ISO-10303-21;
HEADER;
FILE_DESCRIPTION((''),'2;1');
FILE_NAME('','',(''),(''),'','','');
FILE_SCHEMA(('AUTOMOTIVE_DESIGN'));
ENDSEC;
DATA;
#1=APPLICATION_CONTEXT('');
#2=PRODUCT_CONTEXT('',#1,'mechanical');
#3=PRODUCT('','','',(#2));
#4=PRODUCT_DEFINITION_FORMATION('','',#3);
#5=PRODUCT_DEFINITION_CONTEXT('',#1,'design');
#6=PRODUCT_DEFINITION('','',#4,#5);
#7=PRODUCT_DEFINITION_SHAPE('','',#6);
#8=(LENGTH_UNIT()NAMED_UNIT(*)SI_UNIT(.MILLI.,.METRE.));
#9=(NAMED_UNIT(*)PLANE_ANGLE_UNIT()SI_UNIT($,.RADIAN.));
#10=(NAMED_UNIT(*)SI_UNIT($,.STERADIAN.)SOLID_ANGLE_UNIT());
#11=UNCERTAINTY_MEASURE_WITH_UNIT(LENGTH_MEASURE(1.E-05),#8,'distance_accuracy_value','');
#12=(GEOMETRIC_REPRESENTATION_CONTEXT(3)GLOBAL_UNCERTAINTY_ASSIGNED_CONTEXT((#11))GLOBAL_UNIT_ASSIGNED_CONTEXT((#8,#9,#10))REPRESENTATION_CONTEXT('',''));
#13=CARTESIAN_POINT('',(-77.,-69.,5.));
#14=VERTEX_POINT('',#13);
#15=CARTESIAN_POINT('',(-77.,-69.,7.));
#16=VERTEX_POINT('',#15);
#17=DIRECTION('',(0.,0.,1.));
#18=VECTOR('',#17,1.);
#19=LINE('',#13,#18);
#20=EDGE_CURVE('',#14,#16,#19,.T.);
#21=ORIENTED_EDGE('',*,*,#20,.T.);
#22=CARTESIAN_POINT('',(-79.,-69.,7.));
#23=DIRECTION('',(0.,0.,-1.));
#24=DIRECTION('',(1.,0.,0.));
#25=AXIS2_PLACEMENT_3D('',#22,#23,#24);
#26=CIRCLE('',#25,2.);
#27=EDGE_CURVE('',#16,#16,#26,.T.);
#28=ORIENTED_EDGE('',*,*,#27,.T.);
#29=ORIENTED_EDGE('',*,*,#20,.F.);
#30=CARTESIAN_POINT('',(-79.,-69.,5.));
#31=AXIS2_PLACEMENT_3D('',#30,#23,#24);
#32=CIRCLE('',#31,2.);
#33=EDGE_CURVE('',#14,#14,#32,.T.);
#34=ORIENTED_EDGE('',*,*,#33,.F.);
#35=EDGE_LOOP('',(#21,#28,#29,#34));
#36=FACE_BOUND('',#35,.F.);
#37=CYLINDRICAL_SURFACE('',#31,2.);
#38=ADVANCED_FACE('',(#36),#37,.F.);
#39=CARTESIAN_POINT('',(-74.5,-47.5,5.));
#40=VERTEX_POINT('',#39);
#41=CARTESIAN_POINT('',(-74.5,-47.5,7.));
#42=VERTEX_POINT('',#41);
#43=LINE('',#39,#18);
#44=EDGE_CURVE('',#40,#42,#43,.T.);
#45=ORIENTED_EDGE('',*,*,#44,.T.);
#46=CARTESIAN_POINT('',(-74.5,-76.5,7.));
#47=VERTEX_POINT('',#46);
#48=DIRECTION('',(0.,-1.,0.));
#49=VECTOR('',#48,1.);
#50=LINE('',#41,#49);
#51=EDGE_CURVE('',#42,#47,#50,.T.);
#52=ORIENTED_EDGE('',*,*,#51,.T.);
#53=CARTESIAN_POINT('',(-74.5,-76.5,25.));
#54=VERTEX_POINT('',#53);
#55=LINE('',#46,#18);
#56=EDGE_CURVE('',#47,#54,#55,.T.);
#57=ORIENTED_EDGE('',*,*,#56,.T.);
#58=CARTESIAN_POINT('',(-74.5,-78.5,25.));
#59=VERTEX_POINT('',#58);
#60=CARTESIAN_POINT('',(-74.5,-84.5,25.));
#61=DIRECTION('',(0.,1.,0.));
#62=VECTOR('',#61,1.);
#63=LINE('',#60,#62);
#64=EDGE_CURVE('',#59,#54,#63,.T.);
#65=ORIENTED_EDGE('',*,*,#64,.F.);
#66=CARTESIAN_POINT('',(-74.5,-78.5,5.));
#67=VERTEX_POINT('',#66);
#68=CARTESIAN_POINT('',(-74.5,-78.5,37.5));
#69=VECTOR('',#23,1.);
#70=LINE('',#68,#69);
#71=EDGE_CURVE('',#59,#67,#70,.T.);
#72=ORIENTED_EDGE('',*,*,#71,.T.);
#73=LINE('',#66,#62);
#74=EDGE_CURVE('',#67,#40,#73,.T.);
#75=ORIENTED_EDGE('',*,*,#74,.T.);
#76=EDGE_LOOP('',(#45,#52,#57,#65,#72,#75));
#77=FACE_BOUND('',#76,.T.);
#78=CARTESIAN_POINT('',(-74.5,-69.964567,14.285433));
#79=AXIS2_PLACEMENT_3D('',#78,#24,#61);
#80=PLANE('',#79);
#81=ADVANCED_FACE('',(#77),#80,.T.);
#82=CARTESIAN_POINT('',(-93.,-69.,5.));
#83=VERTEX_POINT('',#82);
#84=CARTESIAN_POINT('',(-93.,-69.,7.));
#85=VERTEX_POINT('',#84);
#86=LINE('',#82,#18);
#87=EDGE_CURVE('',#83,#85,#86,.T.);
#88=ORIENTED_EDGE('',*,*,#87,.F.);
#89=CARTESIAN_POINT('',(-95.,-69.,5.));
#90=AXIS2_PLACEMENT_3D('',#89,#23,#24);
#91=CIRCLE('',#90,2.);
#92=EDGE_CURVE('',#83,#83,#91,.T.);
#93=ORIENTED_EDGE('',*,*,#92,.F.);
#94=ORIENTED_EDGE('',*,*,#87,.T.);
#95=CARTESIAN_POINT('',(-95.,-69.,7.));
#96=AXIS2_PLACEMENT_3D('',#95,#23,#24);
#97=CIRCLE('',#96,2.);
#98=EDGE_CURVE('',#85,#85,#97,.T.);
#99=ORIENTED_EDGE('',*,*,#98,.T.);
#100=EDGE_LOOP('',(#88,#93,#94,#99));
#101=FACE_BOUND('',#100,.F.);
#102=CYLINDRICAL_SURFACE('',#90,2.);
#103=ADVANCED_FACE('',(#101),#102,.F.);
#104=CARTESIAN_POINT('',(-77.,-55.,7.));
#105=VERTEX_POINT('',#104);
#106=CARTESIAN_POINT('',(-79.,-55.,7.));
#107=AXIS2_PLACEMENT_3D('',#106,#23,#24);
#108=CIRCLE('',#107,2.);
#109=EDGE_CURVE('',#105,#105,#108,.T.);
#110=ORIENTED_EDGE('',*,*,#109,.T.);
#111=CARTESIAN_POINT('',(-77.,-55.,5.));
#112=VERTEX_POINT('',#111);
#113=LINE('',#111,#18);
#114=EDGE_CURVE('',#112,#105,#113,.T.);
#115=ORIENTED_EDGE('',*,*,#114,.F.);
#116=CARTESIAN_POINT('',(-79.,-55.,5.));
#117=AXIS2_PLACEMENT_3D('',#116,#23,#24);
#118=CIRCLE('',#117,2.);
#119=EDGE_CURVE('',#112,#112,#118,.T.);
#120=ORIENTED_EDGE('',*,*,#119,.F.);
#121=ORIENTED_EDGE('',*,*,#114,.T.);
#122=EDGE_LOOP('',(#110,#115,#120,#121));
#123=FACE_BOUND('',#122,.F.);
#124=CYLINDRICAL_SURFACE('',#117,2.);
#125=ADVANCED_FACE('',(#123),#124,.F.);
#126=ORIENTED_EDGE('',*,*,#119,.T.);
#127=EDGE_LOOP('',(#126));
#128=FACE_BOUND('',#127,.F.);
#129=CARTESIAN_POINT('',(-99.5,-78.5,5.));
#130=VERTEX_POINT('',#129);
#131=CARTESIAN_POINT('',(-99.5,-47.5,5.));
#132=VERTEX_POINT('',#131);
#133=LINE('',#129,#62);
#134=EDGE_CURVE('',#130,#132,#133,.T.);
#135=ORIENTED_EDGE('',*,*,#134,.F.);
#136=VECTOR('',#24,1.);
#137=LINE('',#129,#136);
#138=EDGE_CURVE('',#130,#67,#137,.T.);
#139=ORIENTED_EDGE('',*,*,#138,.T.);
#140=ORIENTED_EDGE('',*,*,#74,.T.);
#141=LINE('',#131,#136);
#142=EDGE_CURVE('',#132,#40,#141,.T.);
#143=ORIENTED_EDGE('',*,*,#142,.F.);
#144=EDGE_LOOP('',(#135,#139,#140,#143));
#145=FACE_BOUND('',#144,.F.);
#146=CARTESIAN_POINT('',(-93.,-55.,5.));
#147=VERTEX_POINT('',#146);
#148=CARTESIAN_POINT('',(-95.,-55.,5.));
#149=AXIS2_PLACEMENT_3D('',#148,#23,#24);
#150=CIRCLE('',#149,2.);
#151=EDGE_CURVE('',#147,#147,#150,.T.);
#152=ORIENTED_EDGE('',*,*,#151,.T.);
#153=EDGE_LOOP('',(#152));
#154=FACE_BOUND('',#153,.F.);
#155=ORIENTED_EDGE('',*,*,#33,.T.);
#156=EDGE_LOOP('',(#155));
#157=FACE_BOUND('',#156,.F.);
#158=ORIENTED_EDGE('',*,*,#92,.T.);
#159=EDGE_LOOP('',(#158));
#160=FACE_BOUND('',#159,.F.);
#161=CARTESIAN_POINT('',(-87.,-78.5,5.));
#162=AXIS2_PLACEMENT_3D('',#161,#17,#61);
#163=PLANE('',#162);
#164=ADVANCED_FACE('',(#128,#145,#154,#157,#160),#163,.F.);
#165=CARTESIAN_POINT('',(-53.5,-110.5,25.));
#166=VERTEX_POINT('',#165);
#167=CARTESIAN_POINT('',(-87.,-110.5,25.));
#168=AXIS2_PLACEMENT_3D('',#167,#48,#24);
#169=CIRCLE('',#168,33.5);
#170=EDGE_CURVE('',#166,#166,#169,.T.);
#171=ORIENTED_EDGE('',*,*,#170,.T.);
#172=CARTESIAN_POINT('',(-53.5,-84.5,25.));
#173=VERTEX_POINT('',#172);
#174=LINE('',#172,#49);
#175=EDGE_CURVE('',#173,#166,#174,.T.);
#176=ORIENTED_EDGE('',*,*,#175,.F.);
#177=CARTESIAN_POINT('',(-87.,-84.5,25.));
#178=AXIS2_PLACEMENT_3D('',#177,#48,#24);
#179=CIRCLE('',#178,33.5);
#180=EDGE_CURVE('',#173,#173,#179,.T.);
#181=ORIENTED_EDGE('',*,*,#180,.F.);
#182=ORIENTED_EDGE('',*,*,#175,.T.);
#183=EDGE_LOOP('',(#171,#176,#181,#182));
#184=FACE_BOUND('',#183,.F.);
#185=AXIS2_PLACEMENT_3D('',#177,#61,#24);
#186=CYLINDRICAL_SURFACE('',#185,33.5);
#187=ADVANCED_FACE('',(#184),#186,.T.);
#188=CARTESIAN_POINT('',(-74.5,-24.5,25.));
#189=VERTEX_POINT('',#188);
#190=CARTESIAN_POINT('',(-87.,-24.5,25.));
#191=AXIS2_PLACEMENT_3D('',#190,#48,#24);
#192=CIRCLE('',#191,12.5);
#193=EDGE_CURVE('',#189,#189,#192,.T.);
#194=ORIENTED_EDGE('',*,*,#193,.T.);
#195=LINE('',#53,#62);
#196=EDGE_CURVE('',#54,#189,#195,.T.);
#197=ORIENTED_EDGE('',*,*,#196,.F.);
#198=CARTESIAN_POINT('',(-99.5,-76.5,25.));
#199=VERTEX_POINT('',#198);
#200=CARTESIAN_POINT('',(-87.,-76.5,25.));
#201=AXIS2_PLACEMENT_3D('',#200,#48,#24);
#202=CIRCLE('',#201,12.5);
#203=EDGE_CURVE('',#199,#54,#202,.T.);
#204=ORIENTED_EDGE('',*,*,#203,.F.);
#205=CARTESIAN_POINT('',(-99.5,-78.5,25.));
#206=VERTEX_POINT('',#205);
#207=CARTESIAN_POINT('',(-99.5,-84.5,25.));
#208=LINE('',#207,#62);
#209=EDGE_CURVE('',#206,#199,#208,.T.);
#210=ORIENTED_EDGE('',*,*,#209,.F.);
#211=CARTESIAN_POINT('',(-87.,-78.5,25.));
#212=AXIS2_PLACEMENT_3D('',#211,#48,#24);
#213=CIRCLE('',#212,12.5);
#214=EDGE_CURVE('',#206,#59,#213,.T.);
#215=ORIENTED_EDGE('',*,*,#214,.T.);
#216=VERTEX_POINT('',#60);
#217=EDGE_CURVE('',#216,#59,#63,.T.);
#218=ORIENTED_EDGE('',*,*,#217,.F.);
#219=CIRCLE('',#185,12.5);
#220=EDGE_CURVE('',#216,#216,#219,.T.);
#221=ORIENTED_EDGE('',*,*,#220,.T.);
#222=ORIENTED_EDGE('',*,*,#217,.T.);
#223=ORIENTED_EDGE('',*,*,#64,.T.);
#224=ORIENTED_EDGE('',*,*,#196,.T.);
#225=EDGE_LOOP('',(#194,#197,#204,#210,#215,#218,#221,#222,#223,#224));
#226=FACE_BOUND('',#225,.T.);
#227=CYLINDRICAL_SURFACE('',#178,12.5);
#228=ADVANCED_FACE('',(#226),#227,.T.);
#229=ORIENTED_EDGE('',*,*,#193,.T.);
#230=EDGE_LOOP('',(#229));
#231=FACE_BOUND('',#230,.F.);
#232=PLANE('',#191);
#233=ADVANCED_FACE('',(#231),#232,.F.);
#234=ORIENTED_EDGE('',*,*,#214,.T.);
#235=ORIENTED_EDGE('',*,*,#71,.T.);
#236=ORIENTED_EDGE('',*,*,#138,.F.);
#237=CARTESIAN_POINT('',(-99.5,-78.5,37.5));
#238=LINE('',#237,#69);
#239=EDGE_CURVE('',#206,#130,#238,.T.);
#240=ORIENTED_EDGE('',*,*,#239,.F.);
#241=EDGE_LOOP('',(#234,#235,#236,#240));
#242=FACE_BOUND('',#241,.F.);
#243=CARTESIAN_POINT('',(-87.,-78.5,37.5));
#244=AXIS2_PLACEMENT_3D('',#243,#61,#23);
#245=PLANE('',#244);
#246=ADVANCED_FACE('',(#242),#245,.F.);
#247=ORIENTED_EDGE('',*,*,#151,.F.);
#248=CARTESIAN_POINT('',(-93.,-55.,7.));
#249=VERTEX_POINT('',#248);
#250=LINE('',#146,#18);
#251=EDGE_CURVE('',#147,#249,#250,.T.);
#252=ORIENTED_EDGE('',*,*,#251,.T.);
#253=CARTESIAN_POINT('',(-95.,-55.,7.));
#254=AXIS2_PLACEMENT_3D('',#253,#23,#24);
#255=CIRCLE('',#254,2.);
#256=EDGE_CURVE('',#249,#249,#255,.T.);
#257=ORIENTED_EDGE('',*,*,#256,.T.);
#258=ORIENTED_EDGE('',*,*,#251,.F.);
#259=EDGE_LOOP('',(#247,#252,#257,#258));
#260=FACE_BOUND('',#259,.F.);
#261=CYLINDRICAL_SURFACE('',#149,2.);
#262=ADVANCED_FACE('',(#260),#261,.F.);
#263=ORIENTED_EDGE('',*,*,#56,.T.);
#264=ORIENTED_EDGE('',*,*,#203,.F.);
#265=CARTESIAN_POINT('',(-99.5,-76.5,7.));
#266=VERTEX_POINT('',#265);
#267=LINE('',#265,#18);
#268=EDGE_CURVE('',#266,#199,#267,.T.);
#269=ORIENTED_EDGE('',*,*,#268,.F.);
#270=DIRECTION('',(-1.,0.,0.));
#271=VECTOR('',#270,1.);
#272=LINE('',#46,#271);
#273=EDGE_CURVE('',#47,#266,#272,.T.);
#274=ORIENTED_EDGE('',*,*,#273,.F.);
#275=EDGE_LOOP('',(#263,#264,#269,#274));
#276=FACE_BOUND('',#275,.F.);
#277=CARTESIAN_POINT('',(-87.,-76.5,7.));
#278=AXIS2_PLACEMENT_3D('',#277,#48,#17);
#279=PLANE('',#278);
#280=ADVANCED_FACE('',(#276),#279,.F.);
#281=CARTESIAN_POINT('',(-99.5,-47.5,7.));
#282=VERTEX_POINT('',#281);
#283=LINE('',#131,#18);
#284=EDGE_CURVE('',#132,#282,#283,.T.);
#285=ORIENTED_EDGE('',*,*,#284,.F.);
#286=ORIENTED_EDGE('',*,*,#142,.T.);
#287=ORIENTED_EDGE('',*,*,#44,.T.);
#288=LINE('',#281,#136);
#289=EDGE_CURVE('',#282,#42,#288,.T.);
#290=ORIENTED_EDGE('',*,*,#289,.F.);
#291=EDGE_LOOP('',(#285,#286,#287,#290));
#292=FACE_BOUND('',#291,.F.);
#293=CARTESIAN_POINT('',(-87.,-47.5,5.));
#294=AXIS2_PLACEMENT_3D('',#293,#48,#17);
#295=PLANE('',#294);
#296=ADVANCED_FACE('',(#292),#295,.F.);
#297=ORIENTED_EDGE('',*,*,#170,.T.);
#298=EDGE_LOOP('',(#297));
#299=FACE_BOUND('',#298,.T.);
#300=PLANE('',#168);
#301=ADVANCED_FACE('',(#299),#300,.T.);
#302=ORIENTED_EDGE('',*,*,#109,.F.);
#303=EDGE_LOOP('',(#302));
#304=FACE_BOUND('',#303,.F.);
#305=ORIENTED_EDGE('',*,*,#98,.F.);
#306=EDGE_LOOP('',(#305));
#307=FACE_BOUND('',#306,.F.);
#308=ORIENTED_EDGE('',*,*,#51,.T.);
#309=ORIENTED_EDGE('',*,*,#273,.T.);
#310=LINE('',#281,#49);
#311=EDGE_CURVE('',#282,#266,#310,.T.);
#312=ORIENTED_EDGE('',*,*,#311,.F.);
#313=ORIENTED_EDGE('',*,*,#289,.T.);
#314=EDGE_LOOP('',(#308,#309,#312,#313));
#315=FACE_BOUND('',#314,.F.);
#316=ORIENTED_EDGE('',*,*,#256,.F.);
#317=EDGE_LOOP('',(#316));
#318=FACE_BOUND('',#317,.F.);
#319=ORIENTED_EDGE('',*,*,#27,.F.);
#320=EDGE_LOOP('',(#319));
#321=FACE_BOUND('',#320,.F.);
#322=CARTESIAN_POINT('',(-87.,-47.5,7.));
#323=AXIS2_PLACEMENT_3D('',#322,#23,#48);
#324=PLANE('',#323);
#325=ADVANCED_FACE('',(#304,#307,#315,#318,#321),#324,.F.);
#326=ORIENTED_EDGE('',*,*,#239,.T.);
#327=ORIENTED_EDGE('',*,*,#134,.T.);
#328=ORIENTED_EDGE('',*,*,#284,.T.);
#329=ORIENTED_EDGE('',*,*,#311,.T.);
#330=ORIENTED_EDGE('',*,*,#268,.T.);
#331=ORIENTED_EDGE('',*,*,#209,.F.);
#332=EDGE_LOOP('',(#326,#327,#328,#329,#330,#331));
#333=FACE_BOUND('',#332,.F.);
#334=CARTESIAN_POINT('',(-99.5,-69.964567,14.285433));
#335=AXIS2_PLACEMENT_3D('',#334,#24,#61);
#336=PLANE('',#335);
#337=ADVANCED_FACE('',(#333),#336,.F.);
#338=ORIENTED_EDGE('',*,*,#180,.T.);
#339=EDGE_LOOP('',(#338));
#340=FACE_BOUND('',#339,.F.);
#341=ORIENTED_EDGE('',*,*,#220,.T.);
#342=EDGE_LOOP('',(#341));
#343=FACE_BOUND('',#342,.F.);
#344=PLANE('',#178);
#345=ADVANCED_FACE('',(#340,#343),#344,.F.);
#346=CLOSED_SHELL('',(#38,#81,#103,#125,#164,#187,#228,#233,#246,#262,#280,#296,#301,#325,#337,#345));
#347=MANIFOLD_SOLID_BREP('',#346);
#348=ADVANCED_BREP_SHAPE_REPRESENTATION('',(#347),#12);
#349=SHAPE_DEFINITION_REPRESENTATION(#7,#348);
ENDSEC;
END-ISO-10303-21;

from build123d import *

# Parameters (mm, degrees)
SKETCH002_R             = 33.5
PAD002_DEPTH            = 26
SKETCH003_R             = 12.5
PAD003_DEPTH            = 60
PAD004_DEPTH            = 12.5
POCKET_DEPTH            = 10
SKETCH024_R             = 2
POCKET007_DEPTH         = 2
BODY002_PLACEMENT_ANGLE = 270


with BuildPart() as part:
    # Sketch002 → Pad002 (new body)
    with BuildSketch(Plane.YZ):
        Circle(SKETCH002_R)
    extrude(amount=PAD002_DEPTH)

    # Sketch003 → Pad003 (join)
    with BuildSketch(Plane.YZ):
        Circle(SKETCH003_R)
    extrude(amount=-PAD003_DEPTH)

    # Sketch004 → Pad004 (join, symmetric)
    with BuildSketch(Plane.XZ):
        Polygon((-6, 12.5), (-6, -20), (-37, -20), (-37, -18), (-8, -18), (-8, 12.5), align=None)
    extrude(amount=PAD004_DEPTH, both=True)

    # Sketch005 → Pocket (cut)
    with BuildSketch(Plane.YZ):
        with BuildLine():
            ThreePointArc((12.5, 0), (0, 12.5), (-12.5, 0))
            Line((-13.5, 0), (-12.5, 0))
            Line((-13.5, 13.5), (-13.5, 0))
            Line((13.5, 13.5), (-13.5, 13.5))
            Line((13.5, 0), (13.5, 13.5))
            Line((12.5, 0), (13.5, 0))
        make_face()
    extrude(amount=-POCKET_DEPTH, mode=Mode.SUBTRACT)

    # Sketch024 (on Face11 of Pocket) → Pocket007 (cut)
    with BuildSketch(Plane.YX.offset(20)):
        with Locations((8, -15.5)):
            Circle(SKETCH024_R)
        with Locations((-8, -15.5)):
            Circle(SKETCH024_R)
        with Locations((-8, -29.5)):
            Circle(SKETCH024_R)
        with Locations((8, -29.5)):
            Circle(SKETCH024_R)
    extrude(amount=-POCKET007_DEPTH, mode=Mode.SUBTRACT)


with BuildPart() as part_1:
    # Body002 placement: moved
    add(part.part.moved(Location((-87, -84.5, 25))).rotate(Axis((-87, -84.5, 25), (0, 0, 1)), BODY002_PLACEMENT_ANGLE))


solid = part_1.part
